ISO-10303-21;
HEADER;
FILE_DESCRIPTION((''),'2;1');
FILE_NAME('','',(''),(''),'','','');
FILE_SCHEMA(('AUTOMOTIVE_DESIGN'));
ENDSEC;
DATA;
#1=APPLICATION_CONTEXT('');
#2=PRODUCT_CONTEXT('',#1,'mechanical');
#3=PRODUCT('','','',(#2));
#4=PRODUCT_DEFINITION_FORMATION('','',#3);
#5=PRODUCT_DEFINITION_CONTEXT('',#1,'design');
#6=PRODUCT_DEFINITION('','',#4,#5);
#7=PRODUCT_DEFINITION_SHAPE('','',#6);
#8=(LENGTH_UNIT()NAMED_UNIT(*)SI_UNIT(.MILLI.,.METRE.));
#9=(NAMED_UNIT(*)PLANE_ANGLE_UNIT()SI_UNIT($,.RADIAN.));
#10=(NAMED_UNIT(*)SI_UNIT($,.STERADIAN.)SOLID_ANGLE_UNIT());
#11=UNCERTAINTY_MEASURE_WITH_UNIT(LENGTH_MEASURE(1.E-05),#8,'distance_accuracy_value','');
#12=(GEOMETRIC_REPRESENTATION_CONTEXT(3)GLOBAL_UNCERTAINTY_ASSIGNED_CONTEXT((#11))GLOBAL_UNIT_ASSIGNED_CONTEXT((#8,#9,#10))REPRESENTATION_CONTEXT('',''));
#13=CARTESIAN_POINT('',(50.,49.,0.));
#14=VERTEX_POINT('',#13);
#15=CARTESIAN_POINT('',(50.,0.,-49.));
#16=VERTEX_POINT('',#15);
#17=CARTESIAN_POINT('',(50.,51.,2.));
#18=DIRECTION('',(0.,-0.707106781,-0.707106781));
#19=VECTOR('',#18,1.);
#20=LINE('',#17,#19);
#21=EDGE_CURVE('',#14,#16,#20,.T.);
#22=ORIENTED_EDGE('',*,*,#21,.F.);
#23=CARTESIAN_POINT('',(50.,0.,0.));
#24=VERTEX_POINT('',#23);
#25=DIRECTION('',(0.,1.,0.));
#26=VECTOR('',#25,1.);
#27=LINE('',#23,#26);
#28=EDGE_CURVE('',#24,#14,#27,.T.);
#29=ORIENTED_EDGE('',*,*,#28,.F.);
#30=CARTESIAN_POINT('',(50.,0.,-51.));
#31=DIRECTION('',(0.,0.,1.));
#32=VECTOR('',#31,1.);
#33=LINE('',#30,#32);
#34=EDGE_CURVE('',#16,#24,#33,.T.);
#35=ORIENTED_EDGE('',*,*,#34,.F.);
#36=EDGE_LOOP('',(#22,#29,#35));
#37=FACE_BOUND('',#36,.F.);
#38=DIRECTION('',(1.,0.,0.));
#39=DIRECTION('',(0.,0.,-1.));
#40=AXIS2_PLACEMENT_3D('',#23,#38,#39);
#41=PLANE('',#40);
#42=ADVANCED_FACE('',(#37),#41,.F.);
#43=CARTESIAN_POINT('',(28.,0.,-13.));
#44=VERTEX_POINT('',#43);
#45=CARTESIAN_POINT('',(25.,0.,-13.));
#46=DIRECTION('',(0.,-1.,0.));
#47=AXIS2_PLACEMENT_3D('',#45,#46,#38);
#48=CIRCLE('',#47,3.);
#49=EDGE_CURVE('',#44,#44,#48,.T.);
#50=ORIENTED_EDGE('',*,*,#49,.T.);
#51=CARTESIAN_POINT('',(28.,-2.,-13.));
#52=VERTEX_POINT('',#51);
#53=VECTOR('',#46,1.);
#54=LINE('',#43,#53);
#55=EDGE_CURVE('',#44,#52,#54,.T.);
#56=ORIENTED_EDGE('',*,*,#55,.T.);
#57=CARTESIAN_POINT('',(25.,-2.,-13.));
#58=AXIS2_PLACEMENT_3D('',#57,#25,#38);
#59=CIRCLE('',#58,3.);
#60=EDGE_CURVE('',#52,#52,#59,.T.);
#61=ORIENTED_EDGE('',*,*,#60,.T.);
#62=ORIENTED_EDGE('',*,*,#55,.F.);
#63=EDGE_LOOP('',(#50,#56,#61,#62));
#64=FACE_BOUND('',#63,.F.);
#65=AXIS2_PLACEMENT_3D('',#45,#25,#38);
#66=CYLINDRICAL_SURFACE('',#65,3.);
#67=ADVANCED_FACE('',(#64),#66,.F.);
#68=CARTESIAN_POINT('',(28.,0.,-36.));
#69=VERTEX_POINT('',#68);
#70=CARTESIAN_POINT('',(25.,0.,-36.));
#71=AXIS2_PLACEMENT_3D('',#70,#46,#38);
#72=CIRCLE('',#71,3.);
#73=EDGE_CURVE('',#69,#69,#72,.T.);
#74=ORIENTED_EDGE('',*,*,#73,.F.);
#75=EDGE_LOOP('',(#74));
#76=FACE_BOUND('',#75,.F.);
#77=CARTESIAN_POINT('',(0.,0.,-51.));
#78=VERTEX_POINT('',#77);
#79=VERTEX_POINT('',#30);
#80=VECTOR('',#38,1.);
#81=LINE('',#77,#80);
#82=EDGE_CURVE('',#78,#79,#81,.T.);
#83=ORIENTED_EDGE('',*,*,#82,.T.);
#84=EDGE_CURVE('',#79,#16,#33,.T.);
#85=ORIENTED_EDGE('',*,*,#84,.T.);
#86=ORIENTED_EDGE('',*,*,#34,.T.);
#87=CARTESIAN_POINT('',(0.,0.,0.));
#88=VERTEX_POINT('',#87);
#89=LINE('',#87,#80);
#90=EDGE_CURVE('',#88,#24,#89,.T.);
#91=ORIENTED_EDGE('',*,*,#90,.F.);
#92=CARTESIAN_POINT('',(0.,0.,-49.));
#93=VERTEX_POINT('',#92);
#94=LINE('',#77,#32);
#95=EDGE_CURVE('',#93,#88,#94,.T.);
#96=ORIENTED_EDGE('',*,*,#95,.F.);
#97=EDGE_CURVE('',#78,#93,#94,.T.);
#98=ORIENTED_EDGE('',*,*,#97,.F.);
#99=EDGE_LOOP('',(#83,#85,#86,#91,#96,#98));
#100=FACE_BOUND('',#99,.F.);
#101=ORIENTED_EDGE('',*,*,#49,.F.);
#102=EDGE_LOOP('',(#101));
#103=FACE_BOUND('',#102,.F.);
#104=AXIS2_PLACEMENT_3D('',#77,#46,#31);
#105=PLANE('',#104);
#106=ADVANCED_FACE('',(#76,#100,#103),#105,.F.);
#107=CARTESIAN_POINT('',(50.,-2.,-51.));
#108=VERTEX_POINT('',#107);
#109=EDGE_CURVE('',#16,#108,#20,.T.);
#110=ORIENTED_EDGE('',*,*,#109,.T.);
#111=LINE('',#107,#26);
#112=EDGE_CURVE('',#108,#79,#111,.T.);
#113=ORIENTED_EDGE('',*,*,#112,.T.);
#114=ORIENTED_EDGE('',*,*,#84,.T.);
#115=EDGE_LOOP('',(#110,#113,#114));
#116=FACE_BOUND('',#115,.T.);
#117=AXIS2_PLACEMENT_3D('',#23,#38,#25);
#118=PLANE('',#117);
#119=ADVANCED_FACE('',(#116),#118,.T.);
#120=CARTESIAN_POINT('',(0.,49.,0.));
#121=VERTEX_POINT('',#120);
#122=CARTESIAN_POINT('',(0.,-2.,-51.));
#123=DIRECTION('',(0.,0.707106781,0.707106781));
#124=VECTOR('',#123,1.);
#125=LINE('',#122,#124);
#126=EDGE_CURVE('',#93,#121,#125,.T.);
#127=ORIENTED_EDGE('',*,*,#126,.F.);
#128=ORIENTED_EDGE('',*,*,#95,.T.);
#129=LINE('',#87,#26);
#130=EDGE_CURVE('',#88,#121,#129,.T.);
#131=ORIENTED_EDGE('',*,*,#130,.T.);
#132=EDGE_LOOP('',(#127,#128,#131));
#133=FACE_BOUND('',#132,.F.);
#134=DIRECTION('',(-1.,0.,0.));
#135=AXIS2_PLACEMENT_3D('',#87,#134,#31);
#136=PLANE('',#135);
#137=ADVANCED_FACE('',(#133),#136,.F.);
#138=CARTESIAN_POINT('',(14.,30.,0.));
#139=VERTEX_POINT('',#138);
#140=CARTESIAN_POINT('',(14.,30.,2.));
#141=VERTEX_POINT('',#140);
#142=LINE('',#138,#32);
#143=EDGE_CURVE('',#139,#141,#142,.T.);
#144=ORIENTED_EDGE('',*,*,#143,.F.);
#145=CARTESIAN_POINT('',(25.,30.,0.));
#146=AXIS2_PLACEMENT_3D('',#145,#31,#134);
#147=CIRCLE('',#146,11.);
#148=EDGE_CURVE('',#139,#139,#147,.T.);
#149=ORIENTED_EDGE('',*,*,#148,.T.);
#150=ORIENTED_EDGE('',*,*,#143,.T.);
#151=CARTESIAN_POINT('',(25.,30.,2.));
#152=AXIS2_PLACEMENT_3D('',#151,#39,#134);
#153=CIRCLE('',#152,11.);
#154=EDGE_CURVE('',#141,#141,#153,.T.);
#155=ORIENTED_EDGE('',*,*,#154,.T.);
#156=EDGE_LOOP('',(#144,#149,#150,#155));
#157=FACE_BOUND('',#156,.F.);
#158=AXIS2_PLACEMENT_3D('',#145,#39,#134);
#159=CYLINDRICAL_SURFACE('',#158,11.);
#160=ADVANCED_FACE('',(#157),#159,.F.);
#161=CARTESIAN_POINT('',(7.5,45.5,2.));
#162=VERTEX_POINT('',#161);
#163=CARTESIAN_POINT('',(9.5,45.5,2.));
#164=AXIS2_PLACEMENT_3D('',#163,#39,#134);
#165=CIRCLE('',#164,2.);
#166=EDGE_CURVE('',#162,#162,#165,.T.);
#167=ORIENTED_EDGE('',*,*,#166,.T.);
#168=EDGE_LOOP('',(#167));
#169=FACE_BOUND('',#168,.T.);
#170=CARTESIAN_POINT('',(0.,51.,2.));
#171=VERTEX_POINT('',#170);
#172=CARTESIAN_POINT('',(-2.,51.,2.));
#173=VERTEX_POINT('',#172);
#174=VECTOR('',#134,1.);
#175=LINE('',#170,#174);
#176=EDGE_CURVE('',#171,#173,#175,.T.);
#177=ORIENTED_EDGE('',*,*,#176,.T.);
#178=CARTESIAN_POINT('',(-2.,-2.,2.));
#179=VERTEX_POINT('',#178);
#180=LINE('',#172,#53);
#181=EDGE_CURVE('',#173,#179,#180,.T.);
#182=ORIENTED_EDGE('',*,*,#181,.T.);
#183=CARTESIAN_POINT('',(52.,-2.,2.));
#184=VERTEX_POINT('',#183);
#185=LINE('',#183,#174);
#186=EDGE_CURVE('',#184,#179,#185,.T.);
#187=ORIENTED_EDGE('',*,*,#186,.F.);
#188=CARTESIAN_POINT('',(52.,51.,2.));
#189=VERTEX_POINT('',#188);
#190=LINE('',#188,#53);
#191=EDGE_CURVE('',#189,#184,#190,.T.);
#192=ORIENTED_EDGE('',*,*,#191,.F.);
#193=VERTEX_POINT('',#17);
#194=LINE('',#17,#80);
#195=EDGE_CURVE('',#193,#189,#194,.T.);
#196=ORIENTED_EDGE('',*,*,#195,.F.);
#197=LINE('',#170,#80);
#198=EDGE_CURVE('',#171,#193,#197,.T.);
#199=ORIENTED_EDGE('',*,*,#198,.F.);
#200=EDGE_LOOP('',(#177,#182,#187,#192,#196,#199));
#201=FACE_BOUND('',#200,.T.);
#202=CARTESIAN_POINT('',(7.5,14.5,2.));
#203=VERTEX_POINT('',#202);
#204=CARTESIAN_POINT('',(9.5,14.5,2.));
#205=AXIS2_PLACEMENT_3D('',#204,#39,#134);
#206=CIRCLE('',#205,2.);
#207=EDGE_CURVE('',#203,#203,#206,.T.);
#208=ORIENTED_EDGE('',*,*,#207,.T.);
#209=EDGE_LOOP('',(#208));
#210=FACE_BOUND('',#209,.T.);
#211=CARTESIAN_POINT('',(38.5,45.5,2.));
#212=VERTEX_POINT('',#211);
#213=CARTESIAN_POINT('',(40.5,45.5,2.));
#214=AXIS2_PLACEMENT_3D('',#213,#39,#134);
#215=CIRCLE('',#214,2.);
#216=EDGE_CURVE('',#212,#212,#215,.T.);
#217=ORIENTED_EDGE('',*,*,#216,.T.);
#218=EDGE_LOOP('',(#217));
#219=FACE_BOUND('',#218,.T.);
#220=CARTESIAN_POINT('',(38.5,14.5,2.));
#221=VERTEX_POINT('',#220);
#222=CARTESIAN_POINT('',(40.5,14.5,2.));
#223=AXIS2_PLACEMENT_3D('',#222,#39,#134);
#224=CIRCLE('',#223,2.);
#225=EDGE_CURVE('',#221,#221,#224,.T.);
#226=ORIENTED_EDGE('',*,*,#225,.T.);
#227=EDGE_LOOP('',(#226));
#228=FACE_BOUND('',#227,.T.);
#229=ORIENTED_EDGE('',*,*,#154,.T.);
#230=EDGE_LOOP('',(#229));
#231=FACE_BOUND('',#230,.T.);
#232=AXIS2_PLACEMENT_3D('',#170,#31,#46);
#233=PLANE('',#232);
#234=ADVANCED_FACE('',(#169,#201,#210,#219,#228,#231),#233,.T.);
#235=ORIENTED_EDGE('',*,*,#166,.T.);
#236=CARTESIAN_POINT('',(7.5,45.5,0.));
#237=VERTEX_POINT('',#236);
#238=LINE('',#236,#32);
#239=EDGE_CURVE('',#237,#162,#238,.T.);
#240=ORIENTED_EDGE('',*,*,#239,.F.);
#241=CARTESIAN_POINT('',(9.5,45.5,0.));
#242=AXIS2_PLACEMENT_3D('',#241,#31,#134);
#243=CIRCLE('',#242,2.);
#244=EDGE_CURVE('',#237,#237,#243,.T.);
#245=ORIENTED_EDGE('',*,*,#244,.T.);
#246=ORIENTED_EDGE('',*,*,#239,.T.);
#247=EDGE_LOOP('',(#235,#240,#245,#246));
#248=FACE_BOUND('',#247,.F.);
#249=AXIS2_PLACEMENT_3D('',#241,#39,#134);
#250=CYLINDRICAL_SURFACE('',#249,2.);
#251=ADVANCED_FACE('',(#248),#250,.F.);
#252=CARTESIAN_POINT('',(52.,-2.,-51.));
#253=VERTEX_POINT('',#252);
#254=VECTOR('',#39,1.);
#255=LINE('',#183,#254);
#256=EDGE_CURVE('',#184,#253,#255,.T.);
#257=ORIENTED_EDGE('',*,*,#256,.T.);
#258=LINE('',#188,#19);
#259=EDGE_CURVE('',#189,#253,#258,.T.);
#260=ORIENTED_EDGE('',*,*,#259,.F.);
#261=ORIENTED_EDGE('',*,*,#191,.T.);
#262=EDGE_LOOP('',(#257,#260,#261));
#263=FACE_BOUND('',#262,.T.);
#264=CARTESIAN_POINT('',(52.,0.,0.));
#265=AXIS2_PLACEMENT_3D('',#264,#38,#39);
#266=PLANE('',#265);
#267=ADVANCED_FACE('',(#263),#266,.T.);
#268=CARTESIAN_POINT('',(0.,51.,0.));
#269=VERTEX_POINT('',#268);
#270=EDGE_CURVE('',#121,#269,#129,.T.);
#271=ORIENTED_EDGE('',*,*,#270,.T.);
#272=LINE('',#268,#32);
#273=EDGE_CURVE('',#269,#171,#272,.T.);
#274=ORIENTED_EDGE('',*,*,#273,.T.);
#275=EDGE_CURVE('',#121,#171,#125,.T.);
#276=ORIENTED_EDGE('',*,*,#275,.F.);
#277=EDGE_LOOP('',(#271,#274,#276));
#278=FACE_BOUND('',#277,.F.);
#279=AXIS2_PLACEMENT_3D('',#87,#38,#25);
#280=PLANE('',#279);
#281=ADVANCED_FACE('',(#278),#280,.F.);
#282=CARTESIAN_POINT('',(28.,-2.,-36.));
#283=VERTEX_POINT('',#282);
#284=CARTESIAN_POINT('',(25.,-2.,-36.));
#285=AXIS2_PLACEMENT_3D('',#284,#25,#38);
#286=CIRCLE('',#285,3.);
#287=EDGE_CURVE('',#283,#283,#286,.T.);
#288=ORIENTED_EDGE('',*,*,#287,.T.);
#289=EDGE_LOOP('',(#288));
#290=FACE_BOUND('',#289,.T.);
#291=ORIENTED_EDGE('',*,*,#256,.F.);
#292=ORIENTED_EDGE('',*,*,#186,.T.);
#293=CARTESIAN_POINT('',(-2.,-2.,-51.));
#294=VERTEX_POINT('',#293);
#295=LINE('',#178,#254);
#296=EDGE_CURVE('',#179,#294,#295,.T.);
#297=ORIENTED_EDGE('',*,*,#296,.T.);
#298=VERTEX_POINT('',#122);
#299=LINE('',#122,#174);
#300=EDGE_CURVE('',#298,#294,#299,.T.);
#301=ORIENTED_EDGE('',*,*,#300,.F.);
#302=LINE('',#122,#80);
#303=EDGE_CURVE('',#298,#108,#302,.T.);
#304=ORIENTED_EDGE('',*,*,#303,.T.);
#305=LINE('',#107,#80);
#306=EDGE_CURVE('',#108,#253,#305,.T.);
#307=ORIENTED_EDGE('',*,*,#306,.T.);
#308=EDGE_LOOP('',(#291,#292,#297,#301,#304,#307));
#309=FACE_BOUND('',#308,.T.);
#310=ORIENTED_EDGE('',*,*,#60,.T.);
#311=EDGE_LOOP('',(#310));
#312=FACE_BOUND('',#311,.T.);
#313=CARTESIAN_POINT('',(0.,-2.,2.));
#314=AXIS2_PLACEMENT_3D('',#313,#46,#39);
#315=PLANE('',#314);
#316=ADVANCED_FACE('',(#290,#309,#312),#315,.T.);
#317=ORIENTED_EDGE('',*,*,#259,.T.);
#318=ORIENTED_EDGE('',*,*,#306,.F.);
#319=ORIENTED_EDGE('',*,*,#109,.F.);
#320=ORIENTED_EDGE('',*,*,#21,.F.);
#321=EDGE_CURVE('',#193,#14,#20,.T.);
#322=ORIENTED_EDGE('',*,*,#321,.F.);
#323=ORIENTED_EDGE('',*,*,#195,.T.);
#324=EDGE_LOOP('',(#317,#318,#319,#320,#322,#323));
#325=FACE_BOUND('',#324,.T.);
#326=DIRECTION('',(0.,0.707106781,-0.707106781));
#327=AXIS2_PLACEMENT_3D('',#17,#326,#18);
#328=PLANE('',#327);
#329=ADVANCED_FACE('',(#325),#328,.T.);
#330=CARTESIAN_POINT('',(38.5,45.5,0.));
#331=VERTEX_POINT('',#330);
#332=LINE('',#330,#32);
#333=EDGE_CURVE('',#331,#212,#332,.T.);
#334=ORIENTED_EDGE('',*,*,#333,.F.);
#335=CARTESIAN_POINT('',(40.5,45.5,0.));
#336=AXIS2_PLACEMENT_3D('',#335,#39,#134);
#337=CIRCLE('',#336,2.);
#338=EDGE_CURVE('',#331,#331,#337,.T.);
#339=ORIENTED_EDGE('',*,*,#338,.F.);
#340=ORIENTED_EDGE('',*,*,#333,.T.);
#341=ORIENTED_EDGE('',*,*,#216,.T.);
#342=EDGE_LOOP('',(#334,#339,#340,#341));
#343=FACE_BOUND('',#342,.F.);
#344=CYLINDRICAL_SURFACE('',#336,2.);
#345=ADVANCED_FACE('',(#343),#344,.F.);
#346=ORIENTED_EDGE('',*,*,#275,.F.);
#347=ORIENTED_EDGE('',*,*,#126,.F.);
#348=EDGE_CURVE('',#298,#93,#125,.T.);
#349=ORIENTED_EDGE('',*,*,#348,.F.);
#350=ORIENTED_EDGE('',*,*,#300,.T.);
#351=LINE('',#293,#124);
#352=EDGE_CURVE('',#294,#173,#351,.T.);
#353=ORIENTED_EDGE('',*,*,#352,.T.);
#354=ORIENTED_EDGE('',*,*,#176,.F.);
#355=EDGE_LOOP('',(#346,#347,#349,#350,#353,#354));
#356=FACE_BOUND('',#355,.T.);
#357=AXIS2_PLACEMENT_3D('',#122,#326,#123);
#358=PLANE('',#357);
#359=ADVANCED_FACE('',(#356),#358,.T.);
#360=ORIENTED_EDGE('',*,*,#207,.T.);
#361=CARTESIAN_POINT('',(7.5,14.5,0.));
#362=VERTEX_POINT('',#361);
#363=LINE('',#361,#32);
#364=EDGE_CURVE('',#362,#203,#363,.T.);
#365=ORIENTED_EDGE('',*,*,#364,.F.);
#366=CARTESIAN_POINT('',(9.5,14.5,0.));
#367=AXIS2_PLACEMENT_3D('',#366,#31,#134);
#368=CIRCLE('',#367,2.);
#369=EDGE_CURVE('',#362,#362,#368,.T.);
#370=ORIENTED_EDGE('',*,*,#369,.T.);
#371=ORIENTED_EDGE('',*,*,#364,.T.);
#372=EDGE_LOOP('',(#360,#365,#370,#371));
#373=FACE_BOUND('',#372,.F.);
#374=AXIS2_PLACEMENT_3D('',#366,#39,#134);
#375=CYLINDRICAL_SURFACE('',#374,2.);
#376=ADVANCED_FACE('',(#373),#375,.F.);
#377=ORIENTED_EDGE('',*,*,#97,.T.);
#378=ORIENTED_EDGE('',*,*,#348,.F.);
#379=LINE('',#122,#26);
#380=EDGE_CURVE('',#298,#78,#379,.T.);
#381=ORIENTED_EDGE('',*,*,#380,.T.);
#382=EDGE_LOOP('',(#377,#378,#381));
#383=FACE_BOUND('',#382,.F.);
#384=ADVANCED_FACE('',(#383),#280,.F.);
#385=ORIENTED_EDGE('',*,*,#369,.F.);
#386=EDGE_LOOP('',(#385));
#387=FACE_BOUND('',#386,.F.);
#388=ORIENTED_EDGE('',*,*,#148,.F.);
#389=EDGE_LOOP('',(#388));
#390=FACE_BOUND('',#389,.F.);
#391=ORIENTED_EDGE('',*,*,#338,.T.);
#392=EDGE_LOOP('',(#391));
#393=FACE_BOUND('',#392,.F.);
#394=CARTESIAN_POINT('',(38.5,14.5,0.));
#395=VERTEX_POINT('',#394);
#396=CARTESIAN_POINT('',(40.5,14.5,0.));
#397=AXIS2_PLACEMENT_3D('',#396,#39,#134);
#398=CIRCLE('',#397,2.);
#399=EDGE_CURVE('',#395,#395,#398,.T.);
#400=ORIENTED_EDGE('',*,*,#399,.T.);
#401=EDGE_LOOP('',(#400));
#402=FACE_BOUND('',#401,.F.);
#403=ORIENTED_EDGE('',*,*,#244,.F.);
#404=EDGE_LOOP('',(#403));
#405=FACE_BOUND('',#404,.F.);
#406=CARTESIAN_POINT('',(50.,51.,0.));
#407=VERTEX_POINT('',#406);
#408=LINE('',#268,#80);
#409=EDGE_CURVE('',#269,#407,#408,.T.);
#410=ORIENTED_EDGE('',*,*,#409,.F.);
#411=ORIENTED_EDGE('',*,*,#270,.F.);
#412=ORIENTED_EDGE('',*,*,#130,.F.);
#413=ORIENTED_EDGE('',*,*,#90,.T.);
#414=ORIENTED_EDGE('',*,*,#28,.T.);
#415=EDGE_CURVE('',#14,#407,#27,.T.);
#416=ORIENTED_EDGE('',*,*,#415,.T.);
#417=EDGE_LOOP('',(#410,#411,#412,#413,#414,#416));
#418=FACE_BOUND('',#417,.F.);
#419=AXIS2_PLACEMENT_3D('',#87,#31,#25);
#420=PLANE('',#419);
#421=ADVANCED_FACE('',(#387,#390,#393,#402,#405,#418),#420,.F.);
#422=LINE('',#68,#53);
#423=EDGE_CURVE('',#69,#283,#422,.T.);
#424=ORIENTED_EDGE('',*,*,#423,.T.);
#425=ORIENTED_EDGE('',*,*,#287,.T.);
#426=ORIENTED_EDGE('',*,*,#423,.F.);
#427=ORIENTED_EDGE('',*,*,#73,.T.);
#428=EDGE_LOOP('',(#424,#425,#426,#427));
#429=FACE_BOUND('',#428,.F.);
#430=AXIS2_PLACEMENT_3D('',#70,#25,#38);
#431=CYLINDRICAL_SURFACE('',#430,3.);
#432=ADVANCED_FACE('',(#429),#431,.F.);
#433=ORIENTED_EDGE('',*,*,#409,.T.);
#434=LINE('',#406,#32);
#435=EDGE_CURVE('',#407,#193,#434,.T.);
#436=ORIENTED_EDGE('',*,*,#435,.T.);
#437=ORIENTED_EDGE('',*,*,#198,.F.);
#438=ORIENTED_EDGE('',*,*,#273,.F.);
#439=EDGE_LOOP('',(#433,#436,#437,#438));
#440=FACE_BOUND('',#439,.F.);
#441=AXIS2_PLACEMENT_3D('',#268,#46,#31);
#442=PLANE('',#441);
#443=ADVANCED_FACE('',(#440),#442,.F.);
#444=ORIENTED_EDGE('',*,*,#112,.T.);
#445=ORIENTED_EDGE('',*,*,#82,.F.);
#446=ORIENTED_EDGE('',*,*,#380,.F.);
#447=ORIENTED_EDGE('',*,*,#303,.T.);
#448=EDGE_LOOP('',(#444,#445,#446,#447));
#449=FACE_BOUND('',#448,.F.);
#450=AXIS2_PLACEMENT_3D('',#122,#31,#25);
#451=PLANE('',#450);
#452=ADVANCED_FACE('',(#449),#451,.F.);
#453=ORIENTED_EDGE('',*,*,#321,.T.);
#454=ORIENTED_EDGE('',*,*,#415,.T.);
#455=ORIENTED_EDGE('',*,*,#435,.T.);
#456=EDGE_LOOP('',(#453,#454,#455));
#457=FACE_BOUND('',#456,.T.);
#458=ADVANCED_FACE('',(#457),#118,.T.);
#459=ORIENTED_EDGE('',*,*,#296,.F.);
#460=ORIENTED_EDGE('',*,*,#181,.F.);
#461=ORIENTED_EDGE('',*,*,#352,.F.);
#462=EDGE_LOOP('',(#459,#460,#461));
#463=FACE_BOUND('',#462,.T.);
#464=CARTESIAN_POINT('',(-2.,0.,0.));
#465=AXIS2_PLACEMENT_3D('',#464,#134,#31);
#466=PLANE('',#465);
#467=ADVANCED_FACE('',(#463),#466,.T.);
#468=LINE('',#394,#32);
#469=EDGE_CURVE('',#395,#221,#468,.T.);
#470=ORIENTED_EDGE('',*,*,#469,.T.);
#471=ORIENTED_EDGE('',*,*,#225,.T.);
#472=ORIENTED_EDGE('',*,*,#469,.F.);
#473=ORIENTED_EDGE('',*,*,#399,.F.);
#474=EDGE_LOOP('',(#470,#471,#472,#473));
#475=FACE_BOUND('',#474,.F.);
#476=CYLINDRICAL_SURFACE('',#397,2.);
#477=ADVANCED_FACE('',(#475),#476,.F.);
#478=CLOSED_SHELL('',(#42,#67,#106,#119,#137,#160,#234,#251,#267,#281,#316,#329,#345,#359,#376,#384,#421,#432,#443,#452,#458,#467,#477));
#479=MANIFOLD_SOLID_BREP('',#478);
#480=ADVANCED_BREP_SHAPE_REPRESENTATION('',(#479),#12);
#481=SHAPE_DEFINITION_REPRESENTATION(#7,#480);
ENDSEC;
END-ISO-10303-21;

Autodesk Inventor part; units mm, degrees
ref_plane "YZ Plane" through (0, 0, 0) normal (1, 0, 0) x (0, 1, 0)
ref_plane "XZ Plane" through (0, 0, 0) normal (0, 1, 0) x (-1, 0, 0)
ref_plane "XY Plane" through (0, 0, 0) normal (0, 0, 1) x (1, 0, 0)
sketch "Sketch1" plane through (0, 0, 0) normal (1, 0, 0) x (0, 1, 0)
  line L0 (0, 0) -> (51, 0)
  line L1 (51, 0) -> (51, 2)
  line L2 (51, 2) -> (0, 2)
  line L3 (-2, 0) -> (-2, -51)
  line L4 (-2, -51) -> (0, -51)
  line L5 (0, -51) -> (0, 0)
  line L6 (0, 0) -> (-2, 0)
  line L7 (-2, 0) -> (-2, 2)
  line L8 (-2, 2) -> (0, 2)
  line L9 (0, 2) -> (0, 0)
  dimension "d0" = 51
  dimension "d1" = 2
  dimension "d2" = 2
  dimension "d3" = 51
extrude "Extrusion1" add sketch "Sketch1" along normal blind 50
sketch "Sketch2" plane through (0, 0, 0) normal (0, 0, -1) x (-1, 0, 0)
  line L0 (0, 51) -> (-50, 51) projected
  line L1 (-25, 51) -> (-25, 30)
  circle A0 centre (-25, 30) radius 11
  line L2 (-25, 51) -> (-9.5, 51)
  line L3 (-25, 30) -> (-9.5, 30)
  line L4 (-9.5, 30) -> (-9.5, 45.5)
  line L5 (-9.5, 30) -> (-9.5, 14.5)
  circle A1 centre (-9.5, 14.5) radius 2
  circle A2 centre (-9.5, 45.5) radius 2
  circle A3 centre (-40.5, 14.5) radius 2
  circle A4 centre (-40.5, 45.5) radius 2
  point P0 (0, 0)
  dimension "d6" = 21
  dimension "d7" = 22
  dimension "d8" = 15.5
  dimension "d9" = 15.5
  dimension "d10" = 15.5
  dimension "d11" = 4
  dimension "d12" = 4
extrude "Extrusion2" cut sketch "Sketch2" against normal blind 50
sketch "Sketch3" plane through (0, 0, 0) normal (0, 1, 0) x (1, 0, 0)
  line L0 (0, 51) -> (50, 51) projected
  line L1 (25, 51) -> (25, 36)
  line L2 (25, 36) -> (25, 13)
  circle A0 centre (25, 13) radius 3
  circle A1 centre (25, 36) radius 3
  point P0 (0, 0)
  dimension "d15" = 15
  dimension "d16" = 23
  dimension "d17" = 6
  dimension "d18" = 6
extrude "Extrusion3" cut sketch "Sketch3" against normal blind 50
sketch "Sketch4" plane through (50, 0, 0) normal (1, 0, 0) x (0, 0, -1)
  line L0 (-2, 51) -> (-2, -2) projected
  line L1 (-2, -2) -> (51, -2)
  line L2 (51, -2) -> (51, 51)
  line L3 (51, 51) -> (-2, 51)
  line L4 (-2, 51) -> (-2, -2)
  line L5 (-2, 51) -> (51, -2)
  point P0 (0, 0)
  dimension "d21" = 53
extrude "Extrusion4" add sketch "Sketch4" along normal blind 2 contours L5 L1 L0
sketch "Sketch5" plane through (0, 0, 0) normal (-1, 0, 0) x (0, 0, 1)
  line L0 (2, -2) -> (-51, -2) projected
  line L1 (2, -2) -> (-51, -2)
  line L2 (-51, -2) -> (-51, 51)
  line L3 (-51, 51) -> (2, 51)
  line L4 (2, 51) -> (2, -2)
  line L5 (-51, -2) -> (2, 51)
  point P0 (0, 0)
  dimension "d24" = 53
  dimension "d25" = 53
extrude "Extrusion5" add sketch "Sketch5" along normal blind 2 contours L0 L5 L4
properties part number "NEMA17-3030-m6-holder" material "Aluminum 6061"
